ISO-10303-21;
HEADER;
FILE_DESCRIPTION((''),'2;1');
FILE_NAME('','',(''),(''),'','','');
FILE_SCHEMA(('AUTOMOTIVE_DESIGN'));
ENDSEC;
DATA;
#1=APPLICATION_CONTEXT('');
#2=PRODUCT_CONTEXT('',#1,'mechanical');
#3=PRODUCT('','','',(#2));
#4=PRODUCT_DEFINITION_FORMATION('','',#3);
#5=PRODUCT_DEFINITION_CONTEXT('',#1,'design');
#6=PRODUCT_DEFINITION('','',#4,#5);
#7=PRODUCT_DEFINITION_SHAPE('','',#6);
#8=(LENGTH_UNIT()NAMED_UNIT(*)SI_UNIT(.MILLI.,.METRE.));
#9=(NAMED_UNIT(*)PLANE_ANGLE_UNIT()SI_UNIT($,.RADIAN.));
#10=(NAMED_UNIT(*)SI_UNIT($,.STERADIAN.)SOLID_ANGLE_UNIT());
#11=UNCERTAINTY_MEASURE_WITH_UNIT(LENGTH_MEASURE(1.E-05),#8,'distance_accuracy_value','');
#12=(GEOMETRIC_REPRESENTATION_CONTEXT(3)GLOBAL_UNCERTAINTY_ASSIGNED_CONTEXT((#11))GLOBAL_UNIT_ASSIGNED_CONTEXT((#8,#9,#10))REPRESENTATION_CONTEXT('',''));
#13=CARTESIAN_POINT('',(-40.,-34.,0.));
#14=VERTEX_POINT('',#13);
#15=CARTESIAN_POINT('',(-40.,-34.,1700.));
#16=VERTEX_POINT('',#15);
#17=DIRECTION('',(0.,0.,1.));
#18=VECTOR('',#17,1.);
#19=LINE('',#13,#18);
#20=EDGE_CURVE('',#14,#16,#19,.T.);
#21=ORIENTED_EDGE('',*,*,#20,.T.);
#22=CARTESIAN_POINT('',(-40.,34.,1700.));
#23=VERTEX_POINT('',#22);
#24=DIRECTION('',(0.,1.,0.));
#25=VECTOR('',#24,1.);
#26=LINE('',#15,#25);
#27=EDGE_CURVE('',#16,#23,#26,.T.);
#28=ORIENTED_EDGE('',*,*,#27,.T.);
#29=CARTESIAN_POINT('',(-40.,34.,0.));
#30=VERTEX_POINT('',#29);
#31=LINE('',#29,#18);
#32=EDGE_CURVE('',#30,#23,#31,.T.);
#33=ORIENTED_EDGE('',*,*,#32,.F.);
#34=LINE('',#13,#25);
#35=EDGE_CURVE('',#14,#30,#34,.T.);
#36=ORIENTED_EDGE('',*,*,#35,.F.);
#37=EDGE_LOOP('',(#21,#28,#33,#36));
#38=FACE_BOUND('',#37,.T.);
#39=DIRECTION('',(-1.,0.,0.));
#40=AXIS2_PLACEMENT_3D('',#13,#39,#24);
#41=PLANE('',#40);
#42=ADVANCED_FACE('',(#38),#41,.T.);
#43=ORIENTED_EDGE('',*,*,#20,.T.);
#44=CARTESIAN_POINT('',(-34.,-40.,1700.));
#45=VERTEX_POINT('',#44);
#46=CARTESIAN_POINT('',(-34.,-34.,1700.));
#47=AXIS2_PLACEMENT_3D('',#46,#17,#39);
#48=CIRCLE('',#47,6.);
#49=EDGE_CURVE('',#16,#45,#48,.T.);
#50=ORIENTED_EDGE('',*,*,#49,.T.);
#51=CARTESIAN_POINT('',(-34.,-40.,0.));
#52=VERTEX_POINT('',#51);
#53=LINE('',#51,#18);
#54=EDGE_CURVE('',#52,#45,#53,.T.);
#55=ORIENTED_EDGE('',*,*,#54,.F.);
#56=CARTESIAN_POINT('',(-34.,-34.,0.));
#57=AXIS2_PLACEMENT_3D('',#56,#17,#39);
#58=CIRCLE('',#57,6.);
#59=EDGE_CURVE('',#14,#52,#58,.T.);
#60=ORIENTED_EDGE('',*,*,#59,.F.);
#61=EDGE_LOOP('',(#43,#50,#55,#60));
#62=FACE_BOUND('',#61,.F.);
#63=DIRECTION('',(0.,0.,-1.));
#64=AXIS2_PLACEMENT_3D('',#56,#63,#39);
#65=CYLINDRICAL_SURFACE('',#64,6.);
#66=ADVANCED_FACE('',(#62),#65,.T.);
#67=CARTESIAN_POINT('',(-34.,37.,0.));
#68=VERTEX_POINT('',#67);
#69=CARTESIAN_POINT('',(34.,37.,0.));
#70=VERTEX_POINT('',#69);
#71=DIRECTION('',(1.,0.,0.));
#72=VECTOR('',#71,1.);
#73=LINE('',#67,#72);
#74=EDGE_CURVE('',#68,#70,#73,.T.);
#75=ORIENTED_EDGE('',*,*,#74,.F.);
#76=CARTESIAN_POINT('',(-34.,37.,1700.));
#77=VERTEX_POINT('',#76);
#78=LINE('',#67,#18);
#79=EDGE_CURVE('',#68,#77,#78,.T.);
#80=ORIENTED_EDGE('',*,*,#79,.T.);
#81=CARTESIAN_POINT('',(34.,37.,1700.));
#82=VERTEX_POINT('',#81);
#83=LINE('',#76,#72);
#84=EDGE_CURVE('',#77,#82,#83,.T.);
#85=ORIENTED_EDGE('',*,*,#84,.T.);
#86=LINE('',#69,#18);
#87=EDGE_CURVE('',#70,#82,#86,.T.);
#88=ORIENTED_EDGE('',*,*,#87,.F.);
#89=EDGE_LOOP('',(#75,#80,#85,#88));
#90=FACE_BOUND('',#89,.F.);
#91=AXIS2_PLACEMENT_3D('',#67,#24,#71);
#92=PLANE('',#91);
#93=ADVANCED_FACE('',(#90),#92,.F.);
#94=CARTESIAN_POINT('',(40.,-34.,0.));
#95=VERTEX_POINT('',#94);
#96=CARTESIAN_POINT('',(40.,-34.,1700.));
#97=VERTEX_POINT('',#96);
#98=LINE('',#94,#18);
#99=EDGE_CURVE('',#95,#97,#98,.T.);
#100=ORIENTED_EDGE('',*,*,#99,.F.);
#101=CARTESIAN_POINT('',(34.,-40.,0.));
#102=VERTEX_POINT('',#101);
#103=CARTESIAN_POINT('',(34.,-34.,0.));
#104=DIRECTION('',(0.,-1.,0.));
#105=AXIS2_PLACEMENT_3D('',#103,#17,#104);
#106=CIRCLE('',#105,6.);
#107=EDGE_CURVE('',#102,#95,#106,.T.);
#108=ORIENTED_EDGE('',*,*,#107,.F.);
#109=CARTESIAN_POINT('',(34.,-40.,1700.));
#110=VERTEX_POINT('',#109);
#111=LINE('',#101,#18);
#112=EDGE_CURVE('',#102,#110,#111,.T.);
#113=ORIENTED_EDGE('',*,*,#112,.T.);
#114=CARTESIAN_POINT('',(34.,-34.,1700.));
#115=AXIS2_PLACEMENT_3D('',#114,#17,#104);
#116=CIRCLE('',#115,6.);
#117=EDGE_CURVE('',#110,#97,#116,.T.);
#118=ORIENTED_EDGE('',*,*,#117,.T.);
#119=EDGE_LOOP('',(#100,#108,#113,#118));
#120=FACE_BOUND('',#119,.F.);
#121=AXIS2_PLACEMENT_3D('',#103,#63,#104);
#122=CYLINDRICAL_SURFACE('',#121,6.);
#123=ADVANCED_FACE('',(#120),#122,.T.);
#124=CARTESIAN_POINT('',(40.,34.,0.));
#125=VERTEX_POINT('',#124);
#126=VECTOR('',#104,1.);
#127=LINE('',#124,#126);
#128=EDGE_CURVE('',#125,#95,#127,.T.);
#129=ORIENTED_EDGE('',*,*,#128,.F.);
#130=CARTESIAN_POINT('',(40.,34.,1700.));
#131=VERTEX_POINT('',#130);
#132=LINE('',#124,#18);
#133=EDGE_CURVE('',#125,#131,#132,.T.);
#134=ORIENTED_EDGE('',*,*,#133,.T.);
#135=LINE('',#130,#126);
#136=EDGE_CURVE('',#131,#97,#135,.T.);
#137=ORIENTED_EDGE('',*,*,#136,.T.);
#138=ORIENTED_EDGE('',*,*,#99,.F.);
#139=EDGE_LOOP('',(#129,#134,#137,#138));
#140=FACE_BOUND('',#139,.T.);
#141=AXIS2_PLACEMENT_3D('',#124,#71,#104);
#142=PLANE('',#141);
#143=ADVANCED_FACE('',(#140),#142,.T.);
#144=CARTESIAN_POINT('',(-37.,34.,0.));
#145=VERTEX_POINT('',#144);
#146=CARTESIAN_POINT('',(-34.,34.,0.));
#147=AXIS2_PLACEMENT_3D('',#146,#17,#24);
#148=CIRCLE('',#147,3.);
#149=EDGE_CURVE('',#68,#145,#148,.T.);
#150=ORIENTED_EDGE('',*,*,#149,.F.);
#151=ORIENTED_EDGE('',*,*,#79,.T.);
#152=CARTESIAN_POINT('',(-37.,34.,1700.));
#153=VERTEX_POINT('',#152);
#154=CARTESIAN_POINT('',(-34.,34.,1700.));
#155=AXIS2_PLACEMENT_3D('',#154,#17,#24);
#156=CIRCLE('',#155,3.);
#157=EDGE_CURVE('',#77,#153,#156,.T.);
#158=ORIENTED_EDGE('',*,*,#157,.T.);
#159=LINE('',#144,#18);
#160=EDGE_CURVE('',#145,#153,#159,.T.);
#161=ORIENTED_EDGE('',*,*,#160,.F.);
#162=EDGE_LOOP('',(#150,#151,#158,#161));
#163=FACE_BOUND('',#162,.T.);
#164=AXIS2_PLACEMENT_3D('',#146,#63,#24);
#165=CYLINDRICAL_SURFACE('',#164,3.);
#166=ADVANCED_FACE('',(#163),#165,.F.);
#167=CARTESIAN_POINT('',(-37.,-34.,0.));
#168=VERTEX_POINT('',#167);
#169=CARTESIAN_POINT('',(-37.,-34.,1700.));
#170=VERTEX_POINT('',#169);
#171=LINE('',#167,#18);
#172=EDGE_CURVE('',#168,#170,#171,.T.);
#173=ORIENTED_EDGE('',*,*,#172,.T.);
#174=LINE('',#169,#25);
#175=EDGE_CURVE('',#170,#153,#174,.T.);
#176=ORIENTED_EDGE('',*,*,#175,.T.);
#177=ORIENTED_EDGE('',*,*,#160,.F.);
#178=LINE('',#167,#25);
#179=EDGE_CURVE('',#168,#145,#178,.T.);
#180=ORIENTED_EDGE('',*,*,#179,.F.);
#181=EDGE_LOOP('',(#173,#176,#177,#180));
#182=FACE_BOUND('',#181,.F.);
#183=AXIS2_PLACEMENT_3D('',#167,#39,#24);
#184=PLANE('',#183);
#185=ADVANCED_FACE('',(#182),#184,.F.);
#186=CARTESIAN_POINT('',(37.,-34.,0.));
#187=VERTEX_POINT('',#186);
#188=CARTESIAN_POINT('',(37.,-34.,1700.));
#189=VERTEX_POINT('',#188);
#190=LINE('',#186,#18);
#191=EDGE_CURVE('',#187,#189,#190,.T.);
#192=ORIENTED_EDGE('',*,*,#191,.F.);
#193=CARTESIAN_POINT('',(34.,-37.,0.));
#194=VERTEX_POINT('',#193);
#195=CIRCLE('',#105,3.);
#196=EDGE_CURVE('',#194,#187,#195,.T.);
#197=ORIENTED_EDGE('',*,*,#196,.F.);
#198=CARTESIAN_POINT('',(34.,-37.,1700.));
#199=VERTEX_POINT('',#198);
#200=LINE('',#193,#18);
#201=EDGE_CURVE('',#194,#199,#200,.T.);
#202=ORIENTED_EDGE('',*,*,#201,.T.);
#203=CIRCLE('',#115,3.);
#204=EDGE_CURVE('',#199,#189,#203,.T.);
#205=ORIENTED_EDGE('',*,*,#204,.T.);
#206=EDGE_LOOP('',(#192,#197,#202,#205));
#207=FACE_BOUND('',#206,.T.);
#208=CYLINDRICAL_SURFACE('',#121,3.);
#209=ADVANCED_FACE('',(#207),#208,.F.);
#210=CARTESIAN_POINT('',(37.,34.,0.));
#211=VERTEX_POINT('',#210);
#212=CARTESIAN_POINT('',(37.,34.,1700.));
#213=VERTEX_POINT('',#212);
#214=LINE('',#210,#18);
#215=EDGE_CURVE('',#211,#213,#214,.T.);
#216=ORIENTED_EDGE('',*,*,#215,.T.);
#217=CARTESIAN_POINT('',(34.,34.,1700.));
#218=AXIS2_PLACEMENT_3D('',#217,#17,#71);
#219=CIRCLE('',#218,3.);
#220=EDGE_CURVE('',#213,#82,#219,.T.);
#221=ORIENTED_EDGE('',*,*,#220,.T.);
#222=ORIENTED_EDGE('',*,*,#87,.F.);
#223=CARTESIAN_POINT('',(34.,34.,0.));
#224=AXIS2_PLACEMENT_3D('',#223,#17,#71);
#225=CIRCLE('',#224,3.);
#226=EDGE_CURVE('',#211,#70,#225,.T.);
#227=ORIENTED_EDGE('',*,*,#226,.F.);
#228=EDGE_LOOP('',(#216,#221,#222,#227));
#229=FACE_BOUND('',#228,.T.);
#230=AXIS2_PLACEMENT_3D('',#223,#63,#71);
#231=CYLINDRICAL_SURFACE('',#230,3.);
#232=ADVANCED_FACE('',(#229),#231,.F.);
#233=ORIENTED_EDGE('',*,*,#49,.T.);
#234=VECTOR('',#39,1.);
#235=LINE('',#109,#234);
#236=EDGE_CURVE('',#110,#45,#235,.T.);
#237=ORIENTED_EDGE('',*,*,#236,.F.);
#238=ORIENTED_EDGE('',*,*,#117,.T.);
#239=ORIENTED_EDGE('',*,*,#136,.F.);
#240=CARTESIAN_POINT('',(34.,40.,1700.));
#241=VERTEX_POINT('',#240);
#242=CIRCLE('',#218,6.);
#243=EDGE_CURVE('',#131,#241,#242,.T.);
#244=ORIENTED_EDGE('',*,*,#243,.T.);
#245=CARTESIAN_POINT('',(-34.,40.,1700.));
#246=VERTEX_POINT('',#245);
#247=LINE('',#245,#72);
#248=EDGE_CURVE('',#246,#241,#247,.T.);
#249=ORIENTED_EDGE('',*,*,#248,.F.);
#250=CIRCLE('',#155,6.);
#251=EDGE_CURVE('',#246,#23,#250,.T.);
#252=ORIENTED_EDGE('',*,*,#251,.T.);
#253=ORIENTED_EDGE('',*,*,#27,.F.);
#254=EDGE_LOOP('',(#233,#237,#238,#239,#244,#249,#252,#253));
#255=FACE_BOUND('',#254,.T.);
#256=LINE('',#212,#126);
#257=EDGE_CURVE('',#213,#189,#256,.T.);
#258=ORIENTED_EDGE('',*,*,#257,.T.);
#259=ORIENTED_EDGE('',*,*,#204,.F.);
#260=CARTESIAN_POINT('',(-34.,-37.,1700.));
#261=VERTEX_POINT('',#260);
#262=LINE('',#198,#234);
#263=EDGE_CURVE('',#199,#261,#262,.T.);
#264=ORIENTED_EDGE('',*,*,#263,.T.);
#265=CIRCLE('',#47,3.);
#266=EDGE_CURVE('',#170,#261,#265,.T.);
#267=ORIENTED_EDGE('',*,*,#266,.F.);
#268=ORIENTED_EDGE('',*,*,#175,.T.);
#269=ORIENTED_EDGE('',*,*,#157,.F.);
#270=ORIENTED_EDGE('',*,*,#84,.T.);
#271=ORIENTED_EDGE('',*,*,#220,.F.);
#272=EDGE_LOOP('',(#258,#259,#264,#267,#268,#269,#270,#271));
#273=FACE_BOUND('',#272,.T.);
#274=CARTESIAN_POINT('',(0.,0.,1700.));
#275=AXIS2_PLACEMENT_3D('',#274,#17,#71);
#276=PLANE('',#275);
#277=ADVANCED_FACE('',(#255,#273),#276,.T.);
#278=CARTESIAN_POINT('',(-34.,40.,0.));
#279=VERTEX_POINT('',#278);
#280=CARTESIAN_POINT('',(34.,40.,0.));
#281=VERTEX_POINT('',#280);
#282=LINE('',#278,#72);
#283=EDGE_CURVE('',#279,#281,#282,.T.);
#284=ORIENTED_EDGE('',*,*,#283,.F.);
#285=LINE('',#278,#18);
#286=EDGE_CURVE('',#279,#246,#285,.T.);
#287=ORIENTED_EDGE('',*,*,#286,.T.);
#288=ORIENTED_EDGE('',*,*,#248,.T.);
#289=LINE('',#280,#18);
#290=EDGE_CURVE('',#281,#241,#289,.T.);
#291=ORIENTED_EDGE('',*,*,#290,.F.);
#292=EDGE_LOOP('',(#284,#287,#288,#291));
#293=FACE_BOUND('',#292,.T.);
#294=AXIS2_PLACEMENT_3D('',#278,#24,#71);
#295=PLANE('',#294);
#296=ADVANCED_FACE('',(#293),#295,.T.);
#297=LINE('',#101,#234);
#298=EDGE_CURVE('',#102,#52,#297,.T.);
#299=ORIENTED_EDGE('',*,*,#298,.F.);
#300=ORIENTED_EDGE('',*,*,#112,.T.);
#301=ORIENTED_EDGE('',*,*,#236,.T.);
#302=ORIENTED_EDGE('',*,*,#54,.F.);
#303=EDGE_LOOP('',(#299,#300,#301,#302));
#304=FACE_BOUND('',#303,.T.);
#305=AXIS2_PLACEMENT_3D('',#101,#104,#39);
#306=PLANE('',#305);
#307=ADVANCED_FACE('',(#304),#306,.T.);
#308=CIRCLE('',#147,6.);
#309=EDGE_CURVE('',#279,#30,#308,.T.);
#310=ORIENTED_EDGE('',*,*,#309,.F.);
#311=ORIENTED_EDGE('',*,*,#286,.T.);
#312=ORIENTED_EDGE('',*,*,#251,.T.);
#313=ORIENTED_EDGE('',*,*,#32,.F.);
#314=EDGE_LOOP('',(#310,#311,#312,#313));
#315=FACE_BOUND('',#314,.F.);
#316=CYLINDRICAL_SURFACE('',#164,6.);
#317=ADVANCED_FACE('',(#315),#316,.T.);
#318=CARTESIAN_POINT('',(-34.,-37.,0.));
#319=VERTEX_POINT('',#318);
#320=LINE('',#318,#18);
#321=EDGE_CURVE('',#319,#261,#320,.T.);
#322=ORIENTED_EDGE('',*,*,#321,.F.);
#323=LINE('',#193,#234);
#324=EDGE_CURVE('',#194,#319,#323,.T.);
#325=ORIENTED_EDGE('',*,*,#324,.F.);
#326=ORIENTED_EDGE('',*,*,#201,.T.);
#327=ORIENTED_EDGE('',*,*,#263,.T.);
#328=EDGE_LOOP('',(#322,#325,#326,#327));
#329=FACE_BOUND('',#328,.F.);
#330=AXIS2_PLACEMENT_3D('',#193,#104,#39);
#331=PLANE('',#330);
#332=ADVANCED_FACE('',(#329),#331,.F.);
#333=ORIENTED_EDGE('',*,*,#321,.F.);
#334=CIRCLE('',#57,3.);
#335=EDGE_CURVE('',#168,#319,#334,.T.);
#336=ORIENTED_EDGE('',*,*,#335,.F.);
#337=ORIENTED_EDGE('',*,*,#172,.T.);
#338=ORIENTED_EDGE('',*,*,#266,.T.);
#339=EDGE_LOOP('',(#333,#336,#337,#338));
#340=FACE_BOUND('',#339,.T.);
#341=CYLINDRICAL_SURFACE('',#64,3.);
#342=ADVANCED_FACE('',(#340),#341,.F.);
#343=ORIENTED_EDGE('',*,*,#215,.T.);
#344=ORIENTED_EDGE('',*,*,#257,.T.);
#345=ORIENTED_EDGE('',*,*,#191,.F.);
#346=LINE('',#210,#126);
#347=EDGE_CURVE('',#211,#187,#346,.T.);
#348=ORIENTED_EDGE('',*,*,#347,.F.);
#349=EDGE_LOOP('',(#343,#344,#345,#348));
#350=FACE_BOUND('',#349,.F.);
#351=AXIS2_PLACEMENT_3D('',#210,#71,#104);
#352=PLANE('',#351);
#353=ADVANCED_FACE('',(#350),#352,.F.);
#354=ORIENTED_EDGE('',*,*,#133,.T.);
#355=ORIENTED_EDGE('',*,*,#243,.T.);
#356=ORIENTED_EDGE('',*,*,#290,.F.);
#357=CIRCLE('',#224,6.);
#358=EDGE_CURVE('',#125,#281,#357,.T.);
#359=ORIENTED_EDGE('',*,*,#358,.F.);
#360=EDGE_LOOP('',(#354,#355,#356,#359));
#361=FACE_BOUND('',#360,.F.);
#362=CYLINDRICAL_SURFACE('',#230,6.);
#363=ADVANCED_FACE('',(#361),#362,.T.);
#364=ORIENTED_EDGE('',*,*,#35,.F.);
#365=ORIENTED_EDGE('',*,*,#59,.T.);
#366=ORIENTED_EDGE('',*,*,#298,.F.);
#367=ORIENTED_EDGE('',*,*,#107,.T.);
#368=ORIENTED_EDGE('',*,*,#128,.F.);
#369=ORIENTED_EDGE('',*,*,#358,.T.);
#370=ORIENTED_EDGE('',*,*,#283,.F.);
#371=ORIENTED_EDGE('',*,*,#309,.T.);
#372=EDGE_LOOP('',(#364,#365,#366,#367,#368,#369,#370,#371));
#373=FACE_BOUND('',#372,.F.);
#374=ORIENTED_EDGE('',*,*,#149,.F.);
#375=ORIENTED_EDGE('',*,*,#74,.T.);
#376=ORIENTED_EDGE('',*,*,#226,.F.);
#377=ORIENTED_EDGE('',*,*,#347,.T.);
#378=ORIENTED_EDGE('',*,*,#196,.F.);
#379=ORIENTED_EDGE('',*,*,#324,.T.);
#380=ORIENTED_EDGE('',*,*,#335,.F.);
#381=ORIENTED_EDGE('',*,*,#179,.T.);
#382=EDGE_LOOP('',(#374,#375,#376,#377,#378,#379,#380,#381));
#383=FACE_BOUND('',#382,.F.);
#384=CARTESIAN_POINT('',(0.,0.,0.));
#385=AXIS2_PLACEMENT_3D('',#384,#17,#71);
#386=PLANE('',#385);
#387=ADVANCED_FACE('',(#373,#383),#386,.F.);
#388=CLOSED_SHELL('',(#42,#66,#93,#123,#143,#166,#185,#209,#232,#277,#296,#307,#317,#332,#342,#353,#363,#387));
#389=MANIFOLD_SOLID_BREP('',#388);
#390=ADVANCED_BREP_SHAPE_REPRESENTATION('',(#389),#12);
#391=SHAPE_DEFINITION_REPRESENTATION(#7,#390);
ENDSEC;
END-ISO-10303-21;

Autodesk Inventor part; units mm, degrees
ref_plane "YZ Plane" through (0, 0, 0) normal (1, 0, 0) x (0, 1, 0)
ref_plane "Start Plane" through (0, 0, 0) normal (0, 0, 1) x (1, 0, 0)
ref_plane "End Plane" through (0, 0, 1700) normal (0, 0, 1) x (1, 0, 0)
sketch "Sketch" plane through (0, 0, 0) normal (0, 0, 1) x (1, 0, 0)
  line L0 (-40, -34) -> (-40, 34)
  line L1 (-34, 40) -> (34, 40)
  line L2 (40, 34) -> (40, -34)
  line L3 (34, -40) -> (-34, -40)
  arc A0 (-40, -34) -> (-34, -40) centre (-34, -34) ccw
  arc A1 (40, 34) -> (34, 40) centre (34, 34) ccw
  arc A2 (-34, 40) -> (-40, 34) centre (-34, 34) ccw
  arc A3 (34, -40) -> (40, -34) centre (34, -34) ccw
  arc A4 (-34, 37) -> (-37, 34) centre (-34, 34) ccw
  line L4 (-34, 37) -> (34, 37)
  arc A5 (37, 34) -> (34, 37) centre (34, 34) ccw
  line L5 (37, 34) -> (37, -34)
  arc A6 (34, -37) -> (37, -34) centre (34, -34) ccw
  line L6 (34, -37) -> (-34, -37)
  arc A7 (-37, -34) -> (-34, -37) centre (-34, -34) ccw
  line L7 (-37, -34) -> (-37, 34)
  line L8 (0, 57.7397) -> (0, -57.7397) construction
  line L9 (-57.7397, 0) -> (57.7397, 0) construction
  dimension "d7" = 6
  dimension "d9" = 80
  dimension "d11" = 80
  dimension "d12" = 3
  dimension "d15" = 40
  dimension "d16" = 40
extrude "Body" add sketch "Sketch" along normal up to surface (1700 mm away) from surface at 0
sketch "Sketch3" plane through (0, 0, 0) normal (0, 0, 1) x (1, 0, 0)
  line L0 (0, 0) -> (10, 0)
ref_plane "Work Plane3" through (0, 0, 0) normal (0, -1, 0) x (1, 0, 0)
sketch "Sketch4" plane through (0, 0, 0) normal (0, -1, 0) x (1, 0, 0)
  line L0 (-2, 0) -> (12, 0) projected
  line L1 (-2, 1700) -> (12, 1700) projected
  dimension "d18" = 1700
equation "\"d7\" = G_IR"
equation "\"d9\" = G_W"
equation "\"d11\" = G_H"
equation "\"d12\" = G_T"
equation "\"d15\" = 0.5 * d9"
equation "\"d16\" = 0.5 * d11"
equation "\"d3\" = G_L"
equation "\"G_W\" = 80"
equation "\"G_H\" = 80"
equation "\"G_T\" = 3"
equation "\"G_IR\" = 6"
equation "\"G_L\" = d18"
equation "\"G_OFFSET_START\" = 0"
equation "\"G_OFFSET_END\" = 0"
properties part number "ISO 10799-2 - 80x80x3 - 1700" material "Steel, Mild"
